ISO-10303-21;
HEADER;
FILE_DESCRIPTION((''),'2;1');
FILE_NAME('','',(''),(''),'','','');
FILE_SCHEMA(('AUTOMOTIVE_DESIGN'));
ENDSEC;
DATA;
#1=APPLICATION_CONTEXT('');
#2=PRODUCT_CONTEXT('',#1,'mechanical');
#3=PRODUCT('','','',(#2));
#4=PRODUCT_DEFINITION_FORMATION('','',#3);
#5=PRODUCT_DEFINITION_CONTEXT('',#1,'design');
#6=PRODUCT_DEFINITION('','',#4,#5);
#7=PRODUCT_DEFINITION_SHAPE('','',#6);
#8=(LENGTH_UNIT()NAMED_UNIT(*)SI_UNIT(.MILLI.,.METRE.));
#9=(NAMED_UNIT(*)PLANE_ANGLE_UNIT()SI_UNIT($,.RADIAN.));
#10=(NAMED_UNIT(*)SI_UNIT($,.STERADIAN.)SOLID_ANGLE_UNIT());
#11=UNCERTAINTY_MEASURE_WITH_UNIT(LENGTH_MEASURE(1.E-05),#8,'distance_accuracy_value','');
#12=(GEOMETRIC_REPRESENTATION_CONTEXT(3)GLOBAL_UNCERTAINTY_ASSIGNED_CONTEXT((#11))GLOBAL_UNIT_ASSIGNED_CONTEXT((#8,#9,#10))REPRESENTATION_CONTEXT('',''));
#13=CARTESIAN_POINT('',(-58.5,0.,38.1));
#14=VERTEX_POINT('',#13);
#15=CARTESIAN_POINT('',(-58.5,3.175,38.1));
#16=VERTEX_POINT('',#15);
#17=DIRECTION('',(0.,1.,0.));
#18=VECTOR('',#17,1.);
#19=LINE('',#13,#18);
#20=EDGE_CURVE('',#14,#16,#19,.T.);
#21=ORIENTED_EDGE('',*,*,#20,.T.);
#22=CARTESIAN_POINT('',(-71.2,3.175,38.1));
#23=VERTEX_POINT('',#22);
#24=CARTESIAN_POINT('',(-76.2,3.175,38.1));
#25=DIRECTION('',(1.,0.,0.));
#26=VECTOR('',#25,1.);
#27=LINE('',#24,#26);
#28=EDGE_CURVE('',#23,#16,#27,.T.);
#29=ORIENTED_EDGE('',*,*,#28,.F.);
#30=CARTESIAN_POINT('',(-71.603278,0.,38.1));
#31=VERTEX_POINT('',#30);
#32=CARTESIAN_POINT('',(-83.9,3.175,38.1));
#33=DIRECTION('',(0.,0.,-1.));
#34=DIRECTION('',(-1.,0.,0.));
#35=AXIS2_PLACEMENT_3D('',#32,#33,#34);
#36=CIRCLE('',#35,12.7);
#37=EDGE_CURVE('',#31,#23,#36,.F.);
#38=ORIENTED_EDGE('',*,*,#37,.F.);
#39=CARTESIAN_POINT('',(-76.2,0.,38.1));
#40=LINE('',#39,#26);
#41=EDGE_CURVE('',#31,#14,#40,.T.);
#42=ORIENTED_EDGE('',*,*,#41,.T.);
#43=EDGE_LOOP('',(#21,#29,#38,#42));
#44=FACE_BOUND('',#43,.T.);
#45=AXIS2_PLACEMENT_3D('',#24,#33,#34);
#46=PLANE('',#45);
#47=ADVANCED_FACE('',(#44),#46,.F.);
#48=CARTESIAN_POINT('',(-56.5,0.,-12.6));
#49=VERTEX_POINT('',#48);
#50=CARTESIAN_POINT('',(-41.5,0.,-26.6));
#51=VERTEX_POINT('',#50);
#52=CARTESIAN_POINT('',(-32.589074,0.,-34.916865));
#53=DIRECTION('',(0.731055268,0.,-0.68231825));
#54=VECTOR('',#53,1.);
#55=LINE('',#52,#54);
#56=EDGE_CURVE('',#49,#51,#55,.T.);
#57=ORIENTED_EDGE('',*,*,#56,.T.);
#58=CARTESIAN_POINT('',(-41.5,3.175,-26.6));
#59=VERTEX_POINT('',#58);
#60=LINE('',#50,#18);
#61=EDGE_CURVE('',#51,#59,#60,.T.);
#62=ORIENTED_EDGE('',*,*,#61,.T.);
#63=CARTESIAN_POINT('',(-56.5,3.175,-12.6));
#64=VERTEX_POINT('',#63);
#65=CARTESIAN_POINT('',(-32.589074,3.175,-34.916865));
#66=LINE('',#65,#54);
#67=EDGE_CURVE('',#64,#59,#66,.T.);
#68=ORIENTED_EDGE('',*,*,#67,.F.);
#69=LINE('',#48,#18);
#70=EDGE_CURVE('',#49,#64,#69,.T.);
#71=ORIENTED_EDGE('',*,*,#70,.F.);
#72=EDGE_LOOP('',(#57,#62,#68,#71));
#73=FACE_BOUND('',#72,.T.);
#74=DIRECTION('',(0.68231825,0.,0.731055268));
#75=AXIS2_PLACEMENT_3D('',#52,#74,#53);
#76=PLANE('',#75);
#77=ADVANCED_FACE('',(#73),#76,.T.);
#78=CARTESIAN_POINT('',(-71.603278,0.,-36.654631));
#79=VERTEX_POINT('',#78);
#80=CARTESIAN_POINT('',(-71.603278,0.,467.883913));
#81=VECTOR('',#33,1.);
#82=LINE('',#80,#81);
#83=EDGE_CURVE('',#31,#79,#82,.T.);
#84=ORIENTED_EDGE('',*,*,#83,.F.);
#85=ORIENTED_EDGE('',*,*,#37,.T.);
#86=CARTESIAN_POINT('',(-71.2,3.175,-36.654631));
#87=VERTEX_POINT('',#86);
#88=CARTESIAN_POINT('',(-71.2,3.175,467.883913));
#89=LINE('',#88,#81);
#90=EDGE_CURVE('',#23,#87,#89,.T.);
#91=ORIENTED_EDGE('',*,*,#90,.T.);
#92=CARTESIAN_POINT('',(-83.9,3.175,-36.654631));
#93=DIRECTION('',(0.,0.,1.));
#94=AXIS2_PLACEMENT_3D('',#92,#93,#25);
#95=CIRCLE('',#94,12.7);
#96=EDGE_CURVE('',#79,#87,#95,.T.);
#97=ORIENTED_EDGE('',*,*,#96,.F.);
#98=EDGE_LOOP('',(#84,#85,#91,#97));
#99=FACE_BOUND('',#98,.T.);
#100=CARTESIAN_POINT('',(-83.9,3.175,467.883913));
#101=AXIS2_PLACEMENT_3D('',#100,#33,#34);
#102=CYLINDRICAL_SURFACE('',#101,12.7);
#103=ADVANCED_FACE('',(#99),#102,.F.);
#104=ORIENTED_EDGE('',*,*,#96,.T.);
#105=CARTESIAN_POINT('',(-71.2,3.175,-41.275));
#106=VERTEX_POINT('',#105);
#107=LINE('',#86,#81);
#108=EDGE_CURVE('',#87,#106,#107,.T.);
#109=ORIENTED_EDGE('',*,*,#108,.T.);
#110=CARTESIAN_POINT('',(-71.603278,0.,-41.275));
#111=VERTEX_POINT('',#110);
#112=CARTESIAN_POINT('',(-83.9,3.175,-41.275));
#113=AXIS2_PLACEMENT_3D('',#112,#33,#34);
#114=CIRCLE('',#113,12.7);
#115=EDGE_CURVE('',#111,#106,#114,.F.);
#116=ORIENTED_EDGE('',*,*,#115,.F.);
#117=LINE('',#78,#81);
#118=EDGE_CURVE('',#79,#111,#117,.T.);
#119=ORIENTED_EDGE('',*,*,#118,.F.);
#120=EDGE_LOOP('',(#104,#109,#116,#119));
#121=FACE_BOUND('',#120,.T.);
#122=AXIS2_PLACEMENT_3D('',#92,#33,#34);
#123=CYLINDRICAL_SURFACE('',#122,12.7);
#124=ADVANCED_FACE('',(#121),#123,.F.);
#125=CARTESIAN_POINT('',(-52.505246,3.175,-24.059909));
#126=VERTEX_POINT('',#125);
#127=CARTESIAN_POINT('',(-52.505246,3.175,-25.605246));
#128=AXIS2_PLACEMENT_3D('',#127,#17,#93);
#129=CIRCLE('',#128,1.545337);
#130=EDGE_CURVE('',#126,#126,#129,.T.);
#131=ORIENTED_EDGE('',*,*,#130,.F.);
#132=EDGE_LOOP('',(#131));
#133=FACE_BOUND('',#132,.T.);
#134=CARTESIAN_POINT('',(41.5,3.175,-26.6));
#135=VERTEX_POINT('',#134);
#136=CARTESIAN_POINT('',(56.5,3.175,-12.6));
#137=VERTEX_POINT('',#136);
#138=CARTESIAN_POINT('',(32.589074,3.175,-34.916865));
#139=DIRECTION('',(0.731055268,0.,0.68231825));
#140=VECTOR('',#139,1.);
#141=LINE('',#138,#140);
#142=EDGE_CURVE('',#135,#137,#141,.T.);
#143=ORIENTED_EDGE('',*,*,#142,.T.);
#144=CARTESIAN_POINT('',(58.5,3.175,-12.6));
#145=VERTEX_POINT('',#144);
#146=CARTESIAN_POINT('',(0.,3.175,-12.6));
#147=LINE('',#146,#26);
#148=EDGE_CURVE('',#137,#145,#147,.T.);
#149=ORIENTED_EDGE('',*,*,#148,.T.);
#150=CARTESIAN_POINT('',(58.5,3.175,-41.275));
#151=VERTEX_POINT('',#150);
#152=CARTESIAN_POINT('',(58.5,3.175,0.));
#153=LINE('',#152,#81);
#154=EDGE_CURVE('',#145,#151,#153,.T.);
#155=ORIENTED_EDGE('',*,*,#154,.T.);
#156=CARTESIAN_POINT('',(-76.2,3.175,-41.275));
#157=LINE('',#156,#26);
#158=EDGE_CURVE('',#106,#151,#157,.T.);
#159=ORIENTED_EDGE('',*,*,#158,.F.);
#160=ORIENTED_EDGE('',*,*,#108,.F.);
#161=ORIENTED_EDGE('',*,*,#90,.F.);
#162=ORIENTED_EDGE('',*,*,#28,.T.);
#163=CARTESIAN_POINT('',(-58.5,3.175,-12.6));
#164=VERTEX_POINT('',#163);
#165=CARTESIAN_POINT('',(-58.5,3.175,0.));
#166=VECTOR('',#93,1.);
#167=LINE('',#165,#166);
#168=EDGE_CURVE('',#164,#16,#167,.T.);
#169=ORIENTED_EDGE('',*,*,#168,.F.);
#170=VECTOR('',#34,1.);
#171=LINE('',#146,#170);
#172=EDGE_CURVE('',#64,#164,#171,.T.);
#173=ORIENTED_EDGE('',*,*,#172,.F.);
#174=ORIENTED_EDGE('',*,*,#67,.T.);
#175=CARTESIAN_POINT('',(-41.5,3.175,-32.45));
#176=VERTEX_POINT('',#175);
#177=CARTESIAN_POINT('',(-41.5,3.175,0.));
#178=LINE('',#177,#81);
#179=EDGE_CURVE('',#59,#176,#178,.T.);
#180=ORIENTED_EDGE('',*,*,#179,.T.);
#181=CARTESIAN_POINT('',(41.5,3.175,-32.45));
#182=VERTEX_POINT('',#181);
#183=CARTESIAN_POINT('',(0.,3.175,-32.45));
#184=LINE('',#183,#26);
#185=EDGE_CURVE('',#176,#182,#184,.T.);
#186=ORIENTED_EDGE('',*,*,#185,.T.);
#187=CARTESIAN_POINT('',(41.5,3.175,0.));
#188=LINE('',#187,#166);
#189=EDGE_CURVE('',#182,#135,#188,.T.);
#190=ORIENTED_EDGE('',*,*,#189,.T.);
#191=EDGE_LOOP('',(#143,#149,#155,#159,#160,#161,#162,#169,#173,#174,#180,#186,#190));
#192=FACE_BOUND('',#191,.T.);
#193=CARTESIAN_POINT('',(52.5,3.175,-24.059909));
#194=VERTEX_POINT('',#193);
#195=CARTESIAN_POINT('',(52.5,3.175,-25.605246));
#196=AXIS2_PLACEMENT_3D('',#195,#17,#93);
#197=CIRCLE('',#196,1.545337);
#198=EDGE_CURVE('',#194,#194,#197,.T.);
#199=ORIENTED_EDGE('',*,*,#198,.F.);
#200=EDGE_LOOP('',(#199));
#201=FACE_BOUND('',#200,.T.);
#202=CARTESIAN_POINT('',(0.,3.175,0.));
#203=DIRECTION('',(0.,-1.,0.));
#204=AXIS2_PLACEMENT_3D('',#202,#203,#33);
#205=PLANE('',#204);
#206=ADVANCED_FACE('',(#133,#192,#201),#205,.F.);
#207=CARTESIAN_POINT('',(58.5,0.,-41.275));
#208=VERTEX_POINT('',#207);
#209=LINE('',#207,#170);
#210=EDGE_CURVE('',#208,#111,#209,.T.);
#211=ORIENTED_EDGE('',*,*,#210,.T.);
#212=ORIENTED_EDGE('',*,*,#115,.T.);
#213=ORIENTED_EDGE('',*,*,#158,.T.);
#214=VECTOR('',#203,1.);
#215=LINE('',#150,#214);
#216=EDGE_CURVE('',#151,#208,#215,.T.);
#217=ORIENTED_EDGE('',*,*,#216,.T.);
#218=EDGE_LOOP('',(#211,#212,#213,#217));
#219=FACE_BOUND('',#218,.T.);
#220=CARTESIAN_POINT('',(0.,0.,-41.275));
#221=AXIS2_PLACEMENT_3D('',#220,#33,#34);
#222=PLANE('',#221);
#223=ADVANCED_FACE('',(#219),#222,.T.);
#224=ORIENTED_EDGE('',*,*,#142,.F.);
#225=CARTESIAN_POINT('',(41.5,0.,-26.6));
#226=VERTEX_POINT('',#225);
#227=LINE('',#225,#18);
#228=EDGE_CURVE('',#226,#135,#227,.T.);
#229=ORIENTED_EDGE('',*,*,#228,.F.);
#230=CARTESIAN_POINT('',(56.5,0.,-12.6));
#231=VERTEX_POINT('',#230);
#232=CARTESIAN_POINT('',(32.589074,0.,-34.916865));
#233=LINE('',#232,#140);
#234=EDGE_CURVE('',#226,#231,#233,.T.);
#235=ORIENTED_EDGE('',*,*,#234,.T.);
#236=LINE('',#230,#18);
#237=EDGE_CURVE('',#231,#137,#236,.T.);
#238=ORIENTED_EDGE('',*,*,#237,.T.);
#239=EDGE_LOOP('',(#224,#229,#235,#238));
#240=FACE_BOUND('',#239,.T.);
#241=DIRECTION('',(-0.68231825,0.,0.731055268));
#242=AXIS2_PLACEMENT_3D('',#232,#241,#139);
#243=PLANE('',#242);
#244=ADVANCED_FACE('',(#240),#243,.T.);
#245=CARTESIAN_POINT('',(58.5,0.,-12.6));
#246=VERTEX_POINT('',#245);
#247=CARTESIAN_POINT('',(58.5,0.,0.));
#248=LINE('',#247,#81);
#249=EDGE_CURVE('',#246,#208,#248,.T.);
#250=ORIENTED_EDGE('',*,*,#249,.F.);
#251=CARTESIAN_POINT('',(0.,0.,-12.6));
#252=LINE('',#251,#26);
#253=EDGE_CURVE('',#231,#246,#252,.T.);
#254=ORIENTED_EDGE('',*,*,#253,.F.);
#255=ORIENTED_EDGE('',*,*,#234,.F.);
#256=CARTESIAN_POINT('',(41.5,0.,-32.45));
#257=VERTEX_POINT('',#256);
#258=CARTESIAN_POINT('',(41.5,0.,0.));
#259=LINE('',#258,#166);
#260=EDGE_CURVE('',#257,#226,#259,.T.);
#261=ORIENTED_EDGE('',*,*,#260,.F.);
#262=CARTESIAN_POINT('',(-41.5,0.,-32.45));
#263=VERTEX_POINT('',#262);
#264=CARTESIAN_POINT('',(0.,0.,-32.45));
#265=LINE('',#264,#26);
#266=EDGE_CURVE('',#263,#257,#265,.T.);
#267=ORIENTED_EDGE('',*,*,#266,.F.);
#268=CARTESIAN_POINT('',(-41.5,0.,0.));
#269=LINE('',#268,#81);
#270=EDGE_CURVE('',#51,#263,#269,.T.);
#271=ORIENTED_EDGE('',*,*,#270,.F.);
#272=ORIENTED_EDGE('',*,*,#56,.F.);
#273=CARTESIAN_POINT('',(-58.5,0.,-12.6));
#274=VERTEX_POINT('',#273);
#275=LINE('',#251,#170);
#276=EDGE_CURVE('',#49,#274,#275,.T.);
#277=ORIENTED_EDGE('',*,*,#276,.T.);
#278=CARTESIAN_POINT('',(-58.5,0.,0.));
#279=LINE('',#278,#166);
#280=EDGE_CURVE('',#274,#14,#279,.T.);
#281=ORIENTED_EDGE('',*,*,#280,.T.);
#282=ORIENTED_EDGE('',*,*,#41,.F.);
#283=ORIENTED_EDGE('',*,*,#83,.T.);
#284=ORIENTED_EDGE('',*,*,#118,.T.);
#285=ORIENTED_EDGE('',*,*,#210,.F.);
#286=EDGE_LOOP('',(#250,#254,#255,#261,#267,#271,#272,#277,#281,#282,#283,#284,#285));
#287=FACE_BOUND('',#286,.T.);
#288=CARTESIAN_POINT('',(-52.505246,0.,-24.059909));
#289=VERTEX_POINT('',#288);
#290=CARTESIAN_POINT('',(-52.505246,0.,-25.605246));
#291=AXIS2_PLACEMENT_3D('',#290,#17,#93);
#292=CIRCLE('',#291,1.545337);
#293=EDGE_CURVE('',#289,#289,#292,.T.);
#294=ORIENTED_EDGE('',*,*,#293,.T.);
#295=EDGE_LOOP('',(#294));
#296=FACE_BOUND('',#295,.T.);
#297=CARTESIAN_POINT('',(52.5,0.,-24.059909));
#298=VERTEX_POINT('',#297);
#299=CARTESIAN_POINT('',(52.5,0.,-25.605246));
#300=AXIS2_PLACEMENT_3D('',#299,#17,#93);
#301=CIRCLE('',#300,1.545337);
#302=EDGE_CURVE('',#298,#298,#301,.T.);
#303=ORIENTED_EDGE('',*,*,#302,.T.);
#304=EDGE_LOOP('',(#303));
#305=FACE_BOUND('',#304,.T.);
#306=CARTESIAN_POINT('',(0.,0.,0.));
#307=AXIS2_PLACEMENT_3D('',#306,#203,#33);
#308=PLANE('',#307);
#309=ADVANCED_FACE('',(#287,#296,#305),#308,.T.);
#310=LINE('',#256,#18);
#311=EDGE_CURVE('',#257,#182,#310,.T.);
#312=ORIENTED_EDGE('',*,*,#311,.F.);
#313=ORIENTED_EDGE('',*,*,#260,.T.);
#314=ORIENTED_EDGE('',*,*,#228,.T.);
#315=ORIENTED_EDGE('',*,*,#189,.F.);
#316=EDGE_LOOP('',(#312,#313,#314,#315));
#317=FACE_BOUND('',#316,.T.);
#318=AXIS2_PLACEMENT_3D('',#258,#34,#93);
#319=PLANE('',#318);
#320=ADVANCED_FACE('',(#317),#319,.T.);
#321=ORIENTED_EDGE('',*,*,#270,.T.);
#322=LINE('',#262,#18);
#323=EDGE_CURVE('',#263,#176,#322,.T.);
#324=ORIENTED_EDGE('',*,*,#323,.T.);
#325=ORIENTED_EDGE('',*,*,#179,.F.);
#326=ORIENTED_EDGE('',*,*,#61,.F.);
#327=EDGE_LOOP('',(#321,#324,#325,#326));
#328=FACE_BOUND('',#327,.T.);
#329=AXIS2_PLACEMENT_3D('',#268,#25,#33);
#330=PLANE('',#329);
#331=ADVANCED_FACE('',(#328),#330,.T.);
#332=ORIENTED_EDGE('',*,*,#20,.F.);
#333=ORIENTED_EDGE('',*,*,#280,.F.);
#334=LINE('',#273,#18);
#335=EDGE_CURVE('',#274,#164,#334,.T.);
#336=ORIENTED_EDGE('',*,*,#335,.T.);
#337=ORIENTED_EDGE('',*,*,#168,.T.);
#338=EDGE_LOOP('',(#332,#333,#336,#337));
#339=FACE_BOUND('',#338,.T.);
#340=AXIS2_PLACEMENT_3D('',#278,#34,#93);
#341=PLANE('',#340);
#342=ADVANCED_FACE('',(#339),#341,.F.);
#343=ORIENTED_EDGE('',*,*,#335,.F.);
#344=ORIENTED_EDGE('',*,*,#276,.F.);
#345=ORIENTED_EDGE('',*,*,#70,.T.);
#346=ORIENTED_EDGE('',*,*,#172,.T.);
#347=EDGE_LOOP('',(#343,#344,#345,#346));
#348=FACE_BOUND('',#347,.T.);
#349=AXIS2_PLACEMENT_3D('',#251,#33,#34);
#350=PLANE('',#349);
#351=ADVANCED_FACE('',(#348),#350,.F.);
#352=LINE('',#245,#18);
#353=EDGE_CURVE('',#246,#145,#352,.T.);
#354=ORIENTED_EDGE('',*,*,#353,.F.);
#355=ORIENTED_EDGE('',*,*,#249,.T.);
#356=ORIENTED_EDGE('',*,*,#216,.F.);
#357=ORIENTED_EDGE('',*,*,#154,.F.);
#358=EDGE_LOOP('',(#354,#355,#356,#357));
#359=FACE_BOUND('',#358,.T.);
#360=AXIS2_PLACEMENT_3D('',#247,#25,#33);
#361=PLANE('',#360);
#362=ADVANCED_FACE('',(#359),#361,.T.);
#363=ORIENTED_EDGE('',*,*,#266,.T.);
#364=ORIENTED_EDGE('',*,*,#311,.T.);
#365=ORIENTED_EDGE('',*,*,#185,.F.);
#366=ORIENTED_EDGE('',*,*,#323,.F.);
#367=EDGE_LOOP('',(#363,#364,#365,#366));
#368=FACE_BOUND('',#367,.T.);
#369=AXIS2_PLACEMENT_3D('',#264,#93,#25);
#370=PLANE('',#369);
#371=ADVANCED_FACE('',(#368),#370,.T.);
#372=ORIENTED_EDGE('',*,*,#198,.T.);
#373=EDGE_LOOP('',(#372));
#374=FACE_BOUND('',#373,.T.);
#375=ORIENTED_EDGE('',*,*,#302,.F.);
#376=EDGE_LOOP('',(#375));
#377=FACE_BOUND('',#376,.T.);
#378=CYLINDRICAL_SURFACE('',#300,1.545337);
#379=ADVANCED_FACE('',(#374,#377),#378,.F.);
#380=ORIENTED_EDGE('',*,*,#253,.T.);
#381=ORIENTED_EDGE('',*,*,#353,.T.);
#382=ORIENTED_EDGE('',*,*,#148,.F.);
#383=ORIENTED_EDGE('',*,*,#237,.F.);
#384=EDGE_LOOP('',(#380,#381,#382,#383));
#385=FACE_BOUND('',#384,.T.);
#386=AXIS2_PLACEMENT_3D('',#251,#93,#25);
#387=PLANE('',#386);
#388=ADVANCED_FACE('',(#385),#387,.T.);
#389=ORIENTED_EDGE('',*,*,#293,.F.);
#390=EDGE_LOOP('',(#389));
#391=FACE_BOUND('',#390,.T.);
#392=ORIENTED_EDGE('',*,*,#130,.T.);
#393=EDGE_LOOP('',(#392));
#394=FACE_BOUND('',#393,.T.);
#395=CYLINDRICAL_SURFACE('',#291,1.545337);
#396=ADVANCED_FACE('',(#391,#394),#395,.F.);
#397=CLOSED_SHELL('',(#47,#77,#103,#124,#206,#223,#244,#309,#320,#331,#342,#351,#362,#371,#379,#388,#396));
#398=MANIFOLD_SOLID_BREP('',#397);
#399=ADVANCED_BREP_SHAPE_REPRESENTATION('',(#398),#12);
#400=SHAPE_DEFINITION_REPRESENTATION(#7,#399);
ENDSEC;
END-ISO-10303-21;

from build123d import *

# Parameters (mm, degrees)
SKETCH1_W            = 152.4
SKETCH1_H            = 76.2
BOSS_EXTRUDE1_DEPTH  = 3.175
SKETCH2_R            = 1.545336663
CUT_EXTRUDE4_DEPTH   = 86.253332046
SKETCH3_W            = 134.7
SKETCH3_H            = 3.175
BOSS_EXTRUDE2_DEPTH  = 3.175
CUT_SWEEP1_PROFILE_R = 12.7


with BuildPart() as part:
    # Sketch1 → Boss-Extrude1 (new body)
    with BuildSketch(Plane(origin=(0, 0, 0), x_dir=(1, 0, 0), z_dir=(0, 1, 0))):
        Rectangle(SKETCH1_W, SKETCH1_H)
    extrude(amount=BOSS_EXTRUDE1_DEPTH)

    # Sketch2 → Cut-Extrude4 (cut, through all)
    with BuildSketch(Plane(origin=(0, 3.175, 0), x_dir=(1, 0, 0), z_dir=(0, 1, 0))):
        Polygon((-58.5, 12.6), (-58.5, -38.1), (76.2, -38.1), (76.2, 38.1), (58.5, 38.1), (58.5, 12.6), (56.5, 12.6), (41.5, 26.6), (41.5, 32.45), (-41.5, 32.45), (-41.5, 26.6), (-56.5, 12.6), align=None)
        with Locations(Location((-52.505245516, 25.605245516, 0), (0, 0, 270))):
            Circle(SKETCH2_R)
        with Locations(Location((52.5, 25.605245516, 0), (0, 0, 270))):
            Circle(SKETCH2_R)
    extrude(amount=-CUT_EXTRUDE4_DEPTH, mode=Mode.SUBTRACT)

    # Sketch3 → Boss-Extrude2 (add)
    with BuildSketch(Plane(origin=(0, 0, -38.1), x_dir=(-1, 0, 0), z_dir=(0, 0, -1))):
        with Locations((8.85, 1.5875)):
            Rectangle(SKETCH3_W, SKETCH3_H)
    extrude(amount=BOSS_EXTRUDE2_DEPTH)

    # Cut-Sweep1: sweep along a curve in space
    with BuildLine() as cut_sweep1_path:
        Line((-83.9, 3.175, 467.883912637), (-83.9, 3.175, -36.654630794))
        Line((-83.9, 3.175, -36.654630794), (-83.9, 3.175, -210.183283037))
    # Cut-Sweep1 profile (on start of the path) → Cut-Sweep1 (sweep, cut)
    with BuildSketch(Plane(origin=(-83.9, 3.175, 467.883912637), x_dir=(-1, 0, 0), z_dir=(0, 0, -1))):
        Circle(CUT_SWEEP1_PROFILE_R)
    sweep(path=cut_sweep1_path.line, mode=Mode.SUBTRACT)


solid = part.part
